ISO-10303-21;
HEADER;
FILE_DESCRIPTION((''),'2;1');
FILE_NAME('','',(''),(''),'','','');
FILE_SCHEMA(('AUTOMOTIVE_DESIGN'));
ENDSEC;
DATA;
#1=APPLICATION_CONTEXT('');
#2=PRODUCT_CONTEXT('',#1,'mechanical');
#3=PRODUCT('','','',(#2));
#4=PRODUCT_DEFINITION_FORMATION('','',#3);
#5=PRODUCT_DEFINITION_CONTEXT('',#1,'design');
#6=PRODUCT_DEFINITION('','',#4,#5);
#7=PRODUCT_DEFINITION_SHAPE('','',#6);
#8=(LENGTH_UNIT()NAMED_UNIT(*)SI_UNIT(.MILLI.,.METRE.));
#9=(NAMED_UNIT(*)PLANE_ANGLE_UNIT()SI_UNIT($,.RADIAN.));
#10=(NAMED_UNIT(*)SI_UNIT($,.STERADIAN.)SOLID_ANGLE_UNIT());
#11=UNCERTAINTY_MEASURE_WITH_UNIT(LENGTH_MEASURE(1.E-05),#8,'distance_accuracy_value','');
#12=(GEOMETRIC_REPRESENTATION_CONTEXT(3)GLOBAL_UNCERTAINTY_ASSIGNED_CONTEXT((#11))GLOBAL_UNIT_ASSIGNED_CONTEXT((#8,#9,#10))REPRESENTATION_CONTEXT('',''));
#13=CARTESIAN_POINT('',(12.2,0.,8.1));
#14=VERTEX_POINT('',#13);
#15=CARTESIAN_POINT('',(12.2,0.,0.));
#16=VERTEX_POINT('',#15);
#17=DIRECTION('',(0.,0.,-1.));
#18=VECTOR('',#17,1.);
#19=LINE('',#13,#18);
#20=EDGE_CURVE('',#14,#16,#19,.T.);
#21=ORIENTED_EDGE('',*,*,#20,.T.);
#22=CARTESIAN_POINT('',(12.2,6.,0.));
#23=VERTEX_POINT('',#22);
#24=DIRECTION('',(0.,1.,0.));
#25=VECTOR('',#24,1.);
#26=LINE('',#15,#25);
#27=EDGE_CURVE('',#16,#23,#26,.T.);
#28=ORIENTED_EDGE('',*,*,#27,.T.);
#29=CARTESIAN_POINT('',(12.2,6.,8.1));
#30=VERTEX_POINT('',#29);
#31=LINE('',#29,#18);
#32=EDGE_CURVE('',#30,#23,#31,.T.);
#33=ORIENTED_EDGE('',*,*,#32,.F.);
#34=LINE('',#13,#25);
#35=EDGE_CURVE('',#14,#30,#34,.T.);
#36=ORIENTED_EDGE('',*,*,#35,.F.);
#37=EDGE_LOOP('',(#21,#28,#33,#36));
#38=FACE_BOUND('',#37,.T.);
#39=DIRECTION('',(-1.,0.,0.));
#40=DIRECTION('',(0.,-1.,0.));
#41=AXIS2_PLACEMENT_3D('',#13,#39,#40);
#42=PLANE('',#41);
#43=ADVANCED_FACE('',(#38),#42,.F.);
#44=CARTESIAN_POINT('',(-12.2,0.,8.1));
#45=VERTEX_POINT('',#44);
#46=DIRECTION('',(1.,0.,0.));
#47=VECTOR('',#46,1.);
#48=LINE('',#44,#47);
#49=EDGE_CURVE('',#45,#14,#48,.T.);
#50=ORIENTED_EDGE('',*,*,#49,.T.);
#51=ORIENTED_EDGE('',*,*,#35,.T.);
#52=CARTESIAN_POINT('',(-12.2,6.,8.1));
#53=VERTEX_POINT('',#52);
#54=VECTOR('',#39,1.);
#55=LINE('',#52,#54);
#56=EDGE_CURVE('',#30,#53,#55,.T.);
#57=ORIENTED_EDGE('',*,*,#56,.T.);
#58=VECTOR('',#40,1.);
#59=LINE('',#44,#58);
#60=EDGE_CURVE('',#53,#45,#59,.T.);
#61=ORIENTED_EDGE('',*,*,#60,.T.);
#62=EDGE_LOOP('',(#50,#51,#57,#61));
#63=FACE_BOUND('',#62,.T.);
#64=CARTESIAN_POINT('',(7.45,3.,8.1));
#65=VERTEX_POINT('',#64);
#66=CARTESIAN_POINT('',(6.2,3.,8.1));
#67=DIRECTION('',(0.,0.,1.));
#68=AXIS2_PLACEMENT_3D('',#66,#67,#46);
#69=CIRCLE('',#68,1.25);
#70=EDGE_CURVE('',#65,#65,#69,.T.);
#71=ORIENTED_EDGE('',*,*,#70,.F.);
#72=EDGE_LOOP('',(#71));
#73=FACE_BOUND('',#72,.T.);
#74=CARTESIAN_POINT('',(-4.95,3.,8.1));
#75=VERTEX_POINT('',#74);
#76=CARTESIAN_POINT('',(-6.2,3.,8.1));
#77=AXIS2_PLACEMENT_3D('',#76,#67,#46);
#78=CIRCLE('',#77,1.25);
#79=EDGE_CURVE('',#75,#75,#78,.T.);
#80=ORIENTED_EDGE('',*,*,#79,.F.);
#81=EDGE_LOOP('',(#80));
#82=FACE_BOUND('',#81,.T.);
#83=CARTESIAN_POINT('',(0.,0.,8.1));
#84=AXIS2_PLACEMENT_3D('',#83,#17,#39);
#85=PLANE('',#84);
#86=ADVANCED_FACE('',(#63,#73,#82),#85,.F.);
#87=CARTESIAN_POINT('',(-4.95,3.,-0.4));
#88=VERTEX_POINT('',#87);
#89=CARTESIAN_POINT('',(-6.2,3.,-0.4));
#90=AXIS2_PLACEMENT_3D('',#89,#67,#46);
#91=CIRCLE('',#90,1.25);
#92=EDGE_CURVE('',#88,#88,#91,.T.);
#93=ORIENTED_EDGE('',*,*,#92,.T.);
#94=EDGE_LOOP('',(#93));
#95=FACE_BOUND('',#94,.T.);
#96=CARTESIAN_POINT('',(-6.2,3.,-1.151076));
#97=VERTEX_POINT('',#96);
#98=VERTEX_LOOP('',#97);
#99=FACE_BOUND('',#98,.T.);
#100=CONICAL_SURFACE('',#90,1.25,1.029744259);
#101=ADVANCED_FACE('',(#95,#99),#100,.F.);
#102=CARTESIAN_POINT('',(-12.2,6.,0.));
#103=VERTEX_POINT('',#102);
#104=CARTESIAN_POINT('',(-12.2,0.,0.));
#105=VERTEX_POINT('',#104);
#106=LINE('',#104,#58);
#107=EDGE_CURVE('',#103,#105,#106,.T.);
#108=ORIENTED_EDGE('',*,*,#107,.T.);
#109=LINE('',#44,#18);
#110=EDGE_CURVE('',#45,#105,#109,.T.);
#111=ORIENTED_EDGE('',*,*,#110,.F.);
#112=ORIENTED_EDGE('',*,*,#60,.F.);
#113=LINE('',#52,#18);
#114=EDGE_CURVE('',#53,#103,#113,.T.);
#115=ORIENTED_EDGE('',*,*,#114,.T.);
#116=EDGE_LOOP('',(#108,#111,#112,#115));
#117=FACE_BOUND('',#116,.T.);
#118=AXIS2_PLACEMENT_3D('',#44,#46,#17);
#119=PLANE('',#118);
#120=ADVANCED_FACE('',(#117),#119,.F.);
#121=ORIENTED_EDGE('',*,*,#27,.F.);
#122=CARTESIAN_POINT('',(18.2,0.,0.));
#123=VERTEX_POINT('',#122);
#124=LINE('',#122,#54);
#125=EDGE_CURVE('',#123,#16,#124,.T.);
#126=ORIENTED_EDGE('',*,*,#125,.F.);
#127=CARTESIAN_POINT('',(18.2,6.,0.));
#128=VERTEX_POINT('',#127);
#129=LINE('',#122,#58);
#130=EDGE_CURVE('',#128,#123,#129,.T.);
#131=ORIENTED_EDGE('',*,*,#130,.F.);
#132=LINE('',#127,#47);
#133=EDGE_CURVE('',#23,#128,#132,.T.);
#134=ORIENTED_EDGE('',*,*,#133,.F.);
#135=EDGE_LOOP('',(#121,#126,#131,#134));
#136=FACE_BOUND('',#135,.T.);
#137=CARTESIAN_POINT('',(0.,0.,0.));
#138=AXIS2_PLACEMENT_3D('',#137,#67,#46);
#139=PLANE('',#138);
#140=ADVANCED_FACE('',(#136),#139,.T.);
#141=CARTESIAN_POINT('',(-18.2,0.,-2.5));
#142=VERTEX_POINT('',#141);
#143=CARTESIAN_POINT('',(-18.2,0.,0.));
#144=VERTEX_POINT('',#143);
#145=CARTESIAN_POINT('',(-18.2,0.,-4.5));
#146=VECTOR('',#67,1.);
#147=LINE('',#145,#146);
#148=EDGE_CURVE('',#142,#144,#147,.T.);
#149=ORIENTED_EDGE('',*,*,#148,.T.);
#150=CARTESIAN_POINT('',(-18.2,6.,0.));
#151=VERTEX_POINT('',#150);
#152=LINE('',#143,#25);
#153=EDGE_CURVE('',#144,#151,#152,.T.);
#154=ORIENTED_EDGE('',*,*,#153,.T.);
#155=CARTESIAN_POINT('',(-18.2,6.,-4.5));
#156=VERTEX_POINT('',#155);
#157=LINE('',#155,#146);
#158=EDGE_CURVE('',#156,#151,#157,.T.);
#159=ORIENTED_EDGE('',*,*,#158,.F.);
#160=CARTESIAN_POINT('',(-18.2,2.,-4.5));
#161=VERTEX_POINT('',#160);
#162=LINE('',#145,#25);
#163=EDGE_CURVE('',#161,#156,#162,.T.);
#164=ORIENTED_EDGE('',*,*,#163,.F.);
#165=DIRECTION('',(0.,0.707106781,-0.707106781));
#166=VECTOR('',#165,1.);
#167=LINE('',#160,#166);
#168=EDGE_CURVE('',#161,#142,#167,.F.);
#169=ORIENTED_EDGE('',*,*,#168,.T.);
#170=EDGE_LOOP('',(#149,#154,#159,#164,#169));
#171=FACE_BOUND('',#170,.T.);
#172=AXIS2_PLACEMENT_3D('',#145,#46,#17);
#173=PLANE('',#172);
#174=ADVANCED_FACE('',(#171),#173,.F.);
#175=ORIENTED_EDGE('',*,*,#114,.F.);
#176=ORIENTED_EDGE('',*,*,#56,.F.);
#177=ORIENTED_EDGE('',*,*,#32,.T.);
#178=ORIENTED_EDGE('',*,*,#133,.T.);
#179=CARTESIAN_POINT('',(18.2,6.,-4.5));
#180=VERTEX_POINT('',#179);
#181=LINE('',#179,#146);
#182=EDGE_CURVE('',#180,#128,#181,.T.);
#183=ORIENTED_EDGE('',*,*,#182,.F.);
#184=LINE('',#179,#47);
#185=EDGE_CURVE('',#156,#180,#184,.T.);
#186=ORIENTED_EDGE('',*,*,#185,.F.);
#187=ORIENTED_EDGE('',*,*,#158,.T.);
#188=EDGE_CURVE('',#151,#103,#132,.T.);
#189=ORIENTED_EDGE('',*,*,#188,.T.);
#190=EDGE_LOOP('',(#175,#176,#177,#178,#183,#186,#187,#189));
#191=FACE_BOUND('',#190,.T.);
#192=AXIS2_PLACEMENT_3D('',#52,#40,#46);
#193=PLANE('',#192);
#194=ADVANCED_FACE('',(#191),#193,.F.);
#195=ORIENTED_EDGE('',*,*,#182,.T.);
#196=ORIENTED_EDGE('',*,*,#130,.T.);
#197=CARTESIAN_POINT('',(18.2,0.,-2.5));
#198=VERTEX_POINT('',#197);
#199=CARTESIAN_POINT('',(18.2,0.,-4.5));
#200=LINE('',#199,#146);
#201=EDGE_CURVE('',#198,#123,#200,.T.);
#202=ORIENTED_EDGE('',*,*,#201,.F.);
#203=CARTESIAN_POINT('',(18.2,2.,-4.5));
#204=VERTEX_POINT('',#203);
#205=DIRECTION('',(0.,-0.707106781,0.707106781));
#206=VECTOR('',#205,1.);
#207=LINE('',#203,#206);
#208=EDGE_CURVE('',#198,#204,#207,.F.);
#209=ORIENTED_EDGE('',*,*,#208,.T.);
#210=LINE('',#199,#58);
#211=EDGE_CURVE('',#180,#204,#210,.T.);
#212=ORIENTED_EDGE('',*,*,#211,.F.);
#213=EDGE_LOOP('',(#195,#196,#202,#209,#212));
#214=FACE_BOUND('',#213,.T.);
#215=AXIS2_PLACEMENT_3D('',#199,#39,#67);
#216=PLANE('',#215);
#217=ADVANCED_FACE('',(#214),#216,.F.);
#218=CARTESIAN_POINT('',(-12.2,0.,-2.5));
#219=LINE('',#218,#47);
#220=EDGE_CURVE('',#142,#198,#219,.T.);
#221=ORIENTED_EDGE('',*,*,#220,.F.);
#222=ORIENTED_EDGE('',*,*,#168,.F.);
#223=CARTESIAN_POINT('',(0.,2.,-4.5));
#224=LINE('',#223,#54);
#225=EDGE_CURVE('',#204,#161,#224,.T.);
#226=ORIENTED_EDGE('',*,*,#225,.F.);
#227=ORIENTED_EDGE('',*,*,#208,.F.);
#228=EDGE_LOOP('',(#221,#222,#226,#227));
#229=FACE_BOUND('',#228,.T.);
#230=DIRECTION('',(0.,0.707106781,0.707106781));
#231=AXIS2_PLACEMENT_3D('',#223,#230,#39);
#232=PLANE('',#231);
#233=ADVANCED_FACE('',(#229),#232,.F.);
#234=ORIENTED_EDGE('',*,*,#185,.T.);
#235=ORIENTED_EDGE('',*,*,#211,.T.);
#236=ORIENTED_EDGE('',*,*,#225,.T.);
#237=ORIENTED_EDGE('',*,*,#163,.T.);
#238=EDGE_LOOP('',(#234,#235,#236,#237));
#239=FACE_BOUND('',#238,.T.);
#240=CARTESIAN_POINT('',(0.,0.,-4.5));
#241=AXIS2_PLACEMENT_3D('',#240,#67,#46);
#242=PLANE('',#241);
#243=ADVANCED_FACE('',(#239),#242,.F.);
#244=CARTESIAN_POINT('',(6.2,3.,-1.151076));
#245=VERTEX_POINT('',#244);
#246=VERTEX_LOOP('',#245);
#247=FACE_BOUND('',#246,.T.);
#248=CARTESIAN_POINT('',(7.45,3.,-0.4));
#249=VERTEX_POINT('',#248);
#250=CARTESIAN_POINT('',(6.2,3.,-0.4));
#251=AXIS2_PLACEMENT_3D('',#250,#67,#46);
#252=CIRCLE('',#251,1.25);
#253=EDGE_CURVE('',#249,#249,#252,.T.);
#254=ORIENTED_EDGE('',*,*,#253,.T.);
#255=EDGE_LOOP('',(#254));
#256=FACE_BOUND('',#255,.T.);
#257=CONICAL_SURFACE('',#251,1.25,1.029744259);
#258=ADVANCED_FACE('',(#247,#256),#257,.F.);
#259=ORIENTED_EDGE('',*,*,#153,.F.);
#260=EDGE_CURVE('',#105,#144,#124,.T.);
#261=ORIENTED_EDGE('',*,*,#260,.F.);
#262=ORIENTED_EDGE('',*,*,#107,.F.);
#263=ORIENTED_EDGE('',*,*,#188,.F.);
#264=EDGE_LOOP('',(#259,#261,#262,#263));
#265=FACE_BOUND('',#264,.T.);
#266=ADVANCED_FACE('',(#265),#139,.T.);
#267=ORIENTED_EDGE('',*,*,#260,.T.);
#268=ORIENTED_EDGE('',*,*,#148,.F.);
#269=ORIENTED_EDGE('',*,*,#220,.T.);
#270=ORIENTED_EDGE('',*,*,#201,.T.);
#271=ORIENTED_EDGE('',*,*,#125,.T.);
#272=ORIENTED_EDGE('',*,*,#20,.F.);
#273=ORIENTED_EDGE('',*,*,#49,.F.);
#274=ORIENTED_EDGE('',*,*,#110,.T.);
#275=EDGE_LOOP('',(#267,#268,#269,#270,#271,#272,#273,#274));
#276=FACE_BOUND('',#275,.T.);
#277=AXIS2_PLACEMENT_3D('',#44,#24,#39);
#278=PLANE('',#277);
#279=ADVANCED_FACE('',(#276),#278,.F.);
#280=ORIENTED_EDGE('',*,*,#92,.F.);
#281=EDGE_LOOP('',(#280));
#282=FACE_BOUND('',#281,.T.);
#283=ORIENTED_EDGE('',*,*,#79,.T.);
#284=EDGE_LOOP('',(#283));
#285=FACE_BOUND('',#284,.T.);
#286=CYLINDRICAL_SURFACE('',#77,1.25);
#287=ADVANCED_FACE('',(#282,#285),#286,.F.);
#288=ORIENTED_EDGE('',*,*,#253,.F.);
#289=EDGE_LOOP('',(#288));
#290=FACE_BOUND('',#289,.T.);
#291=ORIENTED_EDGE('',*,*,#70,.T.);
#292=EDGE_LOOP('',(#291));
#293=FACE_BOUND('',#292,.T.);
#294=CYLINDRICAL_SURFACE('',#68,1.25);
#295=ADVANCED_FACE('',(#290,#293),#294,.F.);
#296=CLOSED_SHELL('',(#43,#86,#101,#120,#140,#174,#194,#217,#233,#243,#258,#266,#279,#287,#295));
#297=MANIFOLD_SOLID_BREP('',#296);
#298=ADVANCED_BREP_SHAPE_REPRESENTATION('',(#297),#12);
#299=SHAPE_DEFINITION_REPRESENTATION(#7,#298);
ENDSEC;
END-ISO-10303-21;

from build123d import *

# Parameters (mm, degrees)
ESBO_O1_W                     = 24.4
ESBO_O1_H                     = 6
RESSALTO_EXTRUS_O1_DEPTH      = 8.1
ESBO_O3_W                     = 36.4
ESBO_O3_H                     = 6
RESSALTO_EXTRUS_O2_DEPTH      = 4.5
CHANFRO1_SIZE                 = 2
FURO_ROSCADO_DE_M3X0_51_D     = 2.5
FURO_ROSCADO_DE_M3X0_51_DEPTH = 8.5
FURO_ROSCADO_DE_M3X0_51_TIP   = 0.751075774


with BuildPart() as part:
    # Esboço1 → Ressalto-extrusão1 (new body)
    with BuildSketch(Plane.XY):
        with Locations((0, 3)):
            Rectangle(ESBO_O1_W, ESBO_O1_H)
    extrude(amount=RESSALTO_EXTRUS_O1_DEPTH)

    # Esboço3 → Ressalto-extrusão2 (add)
    with BuildSketch(Plane(origin=(0, 0, 0), x_dir=(-1, 0, 0), z_dir=(0, 0, -1))):
        with Locations((0, 3)):
            Rectangle(ESBO_O3_W, ESBO_O3_H)
    extrude(amount=RESSALTO_EXTRUS_O2_DEPTH)

    # Chanfro1
    chanfro1_edges = [part.edges().sort_by_distance(p)[0] for p in [
        (0, 0, -4.5),
    ]]
    chamfer(chanfro1_edges, length=CHANFRO1_SIZE)

    # Furo roscado de M3x0.51
    with Locations(Plane.XY.offset(8.1)):
        with Locations((-6.2, 3), (6.2, 3)):
            Hole(FURO_ROSCADO_DE_M3X0_51_D / 2, depth=FURO_ROSCADO_DE_M3X0_51_DEPTH)
            with Locations((0, 0, -(FURO_ROSCADO_DE_M3X0_51_DEPTH + FURO_ROSCADO_DE_M3X0_51_TIP / 2))):  # 118° drill point
                Cone(0, FURO_ROSCADO_DE_M3X0_51_D / 2, FURO_ROSCADO_DE_M3X0_51_TIP, mode=Mode.SUBTRACT)


solid = part.part
